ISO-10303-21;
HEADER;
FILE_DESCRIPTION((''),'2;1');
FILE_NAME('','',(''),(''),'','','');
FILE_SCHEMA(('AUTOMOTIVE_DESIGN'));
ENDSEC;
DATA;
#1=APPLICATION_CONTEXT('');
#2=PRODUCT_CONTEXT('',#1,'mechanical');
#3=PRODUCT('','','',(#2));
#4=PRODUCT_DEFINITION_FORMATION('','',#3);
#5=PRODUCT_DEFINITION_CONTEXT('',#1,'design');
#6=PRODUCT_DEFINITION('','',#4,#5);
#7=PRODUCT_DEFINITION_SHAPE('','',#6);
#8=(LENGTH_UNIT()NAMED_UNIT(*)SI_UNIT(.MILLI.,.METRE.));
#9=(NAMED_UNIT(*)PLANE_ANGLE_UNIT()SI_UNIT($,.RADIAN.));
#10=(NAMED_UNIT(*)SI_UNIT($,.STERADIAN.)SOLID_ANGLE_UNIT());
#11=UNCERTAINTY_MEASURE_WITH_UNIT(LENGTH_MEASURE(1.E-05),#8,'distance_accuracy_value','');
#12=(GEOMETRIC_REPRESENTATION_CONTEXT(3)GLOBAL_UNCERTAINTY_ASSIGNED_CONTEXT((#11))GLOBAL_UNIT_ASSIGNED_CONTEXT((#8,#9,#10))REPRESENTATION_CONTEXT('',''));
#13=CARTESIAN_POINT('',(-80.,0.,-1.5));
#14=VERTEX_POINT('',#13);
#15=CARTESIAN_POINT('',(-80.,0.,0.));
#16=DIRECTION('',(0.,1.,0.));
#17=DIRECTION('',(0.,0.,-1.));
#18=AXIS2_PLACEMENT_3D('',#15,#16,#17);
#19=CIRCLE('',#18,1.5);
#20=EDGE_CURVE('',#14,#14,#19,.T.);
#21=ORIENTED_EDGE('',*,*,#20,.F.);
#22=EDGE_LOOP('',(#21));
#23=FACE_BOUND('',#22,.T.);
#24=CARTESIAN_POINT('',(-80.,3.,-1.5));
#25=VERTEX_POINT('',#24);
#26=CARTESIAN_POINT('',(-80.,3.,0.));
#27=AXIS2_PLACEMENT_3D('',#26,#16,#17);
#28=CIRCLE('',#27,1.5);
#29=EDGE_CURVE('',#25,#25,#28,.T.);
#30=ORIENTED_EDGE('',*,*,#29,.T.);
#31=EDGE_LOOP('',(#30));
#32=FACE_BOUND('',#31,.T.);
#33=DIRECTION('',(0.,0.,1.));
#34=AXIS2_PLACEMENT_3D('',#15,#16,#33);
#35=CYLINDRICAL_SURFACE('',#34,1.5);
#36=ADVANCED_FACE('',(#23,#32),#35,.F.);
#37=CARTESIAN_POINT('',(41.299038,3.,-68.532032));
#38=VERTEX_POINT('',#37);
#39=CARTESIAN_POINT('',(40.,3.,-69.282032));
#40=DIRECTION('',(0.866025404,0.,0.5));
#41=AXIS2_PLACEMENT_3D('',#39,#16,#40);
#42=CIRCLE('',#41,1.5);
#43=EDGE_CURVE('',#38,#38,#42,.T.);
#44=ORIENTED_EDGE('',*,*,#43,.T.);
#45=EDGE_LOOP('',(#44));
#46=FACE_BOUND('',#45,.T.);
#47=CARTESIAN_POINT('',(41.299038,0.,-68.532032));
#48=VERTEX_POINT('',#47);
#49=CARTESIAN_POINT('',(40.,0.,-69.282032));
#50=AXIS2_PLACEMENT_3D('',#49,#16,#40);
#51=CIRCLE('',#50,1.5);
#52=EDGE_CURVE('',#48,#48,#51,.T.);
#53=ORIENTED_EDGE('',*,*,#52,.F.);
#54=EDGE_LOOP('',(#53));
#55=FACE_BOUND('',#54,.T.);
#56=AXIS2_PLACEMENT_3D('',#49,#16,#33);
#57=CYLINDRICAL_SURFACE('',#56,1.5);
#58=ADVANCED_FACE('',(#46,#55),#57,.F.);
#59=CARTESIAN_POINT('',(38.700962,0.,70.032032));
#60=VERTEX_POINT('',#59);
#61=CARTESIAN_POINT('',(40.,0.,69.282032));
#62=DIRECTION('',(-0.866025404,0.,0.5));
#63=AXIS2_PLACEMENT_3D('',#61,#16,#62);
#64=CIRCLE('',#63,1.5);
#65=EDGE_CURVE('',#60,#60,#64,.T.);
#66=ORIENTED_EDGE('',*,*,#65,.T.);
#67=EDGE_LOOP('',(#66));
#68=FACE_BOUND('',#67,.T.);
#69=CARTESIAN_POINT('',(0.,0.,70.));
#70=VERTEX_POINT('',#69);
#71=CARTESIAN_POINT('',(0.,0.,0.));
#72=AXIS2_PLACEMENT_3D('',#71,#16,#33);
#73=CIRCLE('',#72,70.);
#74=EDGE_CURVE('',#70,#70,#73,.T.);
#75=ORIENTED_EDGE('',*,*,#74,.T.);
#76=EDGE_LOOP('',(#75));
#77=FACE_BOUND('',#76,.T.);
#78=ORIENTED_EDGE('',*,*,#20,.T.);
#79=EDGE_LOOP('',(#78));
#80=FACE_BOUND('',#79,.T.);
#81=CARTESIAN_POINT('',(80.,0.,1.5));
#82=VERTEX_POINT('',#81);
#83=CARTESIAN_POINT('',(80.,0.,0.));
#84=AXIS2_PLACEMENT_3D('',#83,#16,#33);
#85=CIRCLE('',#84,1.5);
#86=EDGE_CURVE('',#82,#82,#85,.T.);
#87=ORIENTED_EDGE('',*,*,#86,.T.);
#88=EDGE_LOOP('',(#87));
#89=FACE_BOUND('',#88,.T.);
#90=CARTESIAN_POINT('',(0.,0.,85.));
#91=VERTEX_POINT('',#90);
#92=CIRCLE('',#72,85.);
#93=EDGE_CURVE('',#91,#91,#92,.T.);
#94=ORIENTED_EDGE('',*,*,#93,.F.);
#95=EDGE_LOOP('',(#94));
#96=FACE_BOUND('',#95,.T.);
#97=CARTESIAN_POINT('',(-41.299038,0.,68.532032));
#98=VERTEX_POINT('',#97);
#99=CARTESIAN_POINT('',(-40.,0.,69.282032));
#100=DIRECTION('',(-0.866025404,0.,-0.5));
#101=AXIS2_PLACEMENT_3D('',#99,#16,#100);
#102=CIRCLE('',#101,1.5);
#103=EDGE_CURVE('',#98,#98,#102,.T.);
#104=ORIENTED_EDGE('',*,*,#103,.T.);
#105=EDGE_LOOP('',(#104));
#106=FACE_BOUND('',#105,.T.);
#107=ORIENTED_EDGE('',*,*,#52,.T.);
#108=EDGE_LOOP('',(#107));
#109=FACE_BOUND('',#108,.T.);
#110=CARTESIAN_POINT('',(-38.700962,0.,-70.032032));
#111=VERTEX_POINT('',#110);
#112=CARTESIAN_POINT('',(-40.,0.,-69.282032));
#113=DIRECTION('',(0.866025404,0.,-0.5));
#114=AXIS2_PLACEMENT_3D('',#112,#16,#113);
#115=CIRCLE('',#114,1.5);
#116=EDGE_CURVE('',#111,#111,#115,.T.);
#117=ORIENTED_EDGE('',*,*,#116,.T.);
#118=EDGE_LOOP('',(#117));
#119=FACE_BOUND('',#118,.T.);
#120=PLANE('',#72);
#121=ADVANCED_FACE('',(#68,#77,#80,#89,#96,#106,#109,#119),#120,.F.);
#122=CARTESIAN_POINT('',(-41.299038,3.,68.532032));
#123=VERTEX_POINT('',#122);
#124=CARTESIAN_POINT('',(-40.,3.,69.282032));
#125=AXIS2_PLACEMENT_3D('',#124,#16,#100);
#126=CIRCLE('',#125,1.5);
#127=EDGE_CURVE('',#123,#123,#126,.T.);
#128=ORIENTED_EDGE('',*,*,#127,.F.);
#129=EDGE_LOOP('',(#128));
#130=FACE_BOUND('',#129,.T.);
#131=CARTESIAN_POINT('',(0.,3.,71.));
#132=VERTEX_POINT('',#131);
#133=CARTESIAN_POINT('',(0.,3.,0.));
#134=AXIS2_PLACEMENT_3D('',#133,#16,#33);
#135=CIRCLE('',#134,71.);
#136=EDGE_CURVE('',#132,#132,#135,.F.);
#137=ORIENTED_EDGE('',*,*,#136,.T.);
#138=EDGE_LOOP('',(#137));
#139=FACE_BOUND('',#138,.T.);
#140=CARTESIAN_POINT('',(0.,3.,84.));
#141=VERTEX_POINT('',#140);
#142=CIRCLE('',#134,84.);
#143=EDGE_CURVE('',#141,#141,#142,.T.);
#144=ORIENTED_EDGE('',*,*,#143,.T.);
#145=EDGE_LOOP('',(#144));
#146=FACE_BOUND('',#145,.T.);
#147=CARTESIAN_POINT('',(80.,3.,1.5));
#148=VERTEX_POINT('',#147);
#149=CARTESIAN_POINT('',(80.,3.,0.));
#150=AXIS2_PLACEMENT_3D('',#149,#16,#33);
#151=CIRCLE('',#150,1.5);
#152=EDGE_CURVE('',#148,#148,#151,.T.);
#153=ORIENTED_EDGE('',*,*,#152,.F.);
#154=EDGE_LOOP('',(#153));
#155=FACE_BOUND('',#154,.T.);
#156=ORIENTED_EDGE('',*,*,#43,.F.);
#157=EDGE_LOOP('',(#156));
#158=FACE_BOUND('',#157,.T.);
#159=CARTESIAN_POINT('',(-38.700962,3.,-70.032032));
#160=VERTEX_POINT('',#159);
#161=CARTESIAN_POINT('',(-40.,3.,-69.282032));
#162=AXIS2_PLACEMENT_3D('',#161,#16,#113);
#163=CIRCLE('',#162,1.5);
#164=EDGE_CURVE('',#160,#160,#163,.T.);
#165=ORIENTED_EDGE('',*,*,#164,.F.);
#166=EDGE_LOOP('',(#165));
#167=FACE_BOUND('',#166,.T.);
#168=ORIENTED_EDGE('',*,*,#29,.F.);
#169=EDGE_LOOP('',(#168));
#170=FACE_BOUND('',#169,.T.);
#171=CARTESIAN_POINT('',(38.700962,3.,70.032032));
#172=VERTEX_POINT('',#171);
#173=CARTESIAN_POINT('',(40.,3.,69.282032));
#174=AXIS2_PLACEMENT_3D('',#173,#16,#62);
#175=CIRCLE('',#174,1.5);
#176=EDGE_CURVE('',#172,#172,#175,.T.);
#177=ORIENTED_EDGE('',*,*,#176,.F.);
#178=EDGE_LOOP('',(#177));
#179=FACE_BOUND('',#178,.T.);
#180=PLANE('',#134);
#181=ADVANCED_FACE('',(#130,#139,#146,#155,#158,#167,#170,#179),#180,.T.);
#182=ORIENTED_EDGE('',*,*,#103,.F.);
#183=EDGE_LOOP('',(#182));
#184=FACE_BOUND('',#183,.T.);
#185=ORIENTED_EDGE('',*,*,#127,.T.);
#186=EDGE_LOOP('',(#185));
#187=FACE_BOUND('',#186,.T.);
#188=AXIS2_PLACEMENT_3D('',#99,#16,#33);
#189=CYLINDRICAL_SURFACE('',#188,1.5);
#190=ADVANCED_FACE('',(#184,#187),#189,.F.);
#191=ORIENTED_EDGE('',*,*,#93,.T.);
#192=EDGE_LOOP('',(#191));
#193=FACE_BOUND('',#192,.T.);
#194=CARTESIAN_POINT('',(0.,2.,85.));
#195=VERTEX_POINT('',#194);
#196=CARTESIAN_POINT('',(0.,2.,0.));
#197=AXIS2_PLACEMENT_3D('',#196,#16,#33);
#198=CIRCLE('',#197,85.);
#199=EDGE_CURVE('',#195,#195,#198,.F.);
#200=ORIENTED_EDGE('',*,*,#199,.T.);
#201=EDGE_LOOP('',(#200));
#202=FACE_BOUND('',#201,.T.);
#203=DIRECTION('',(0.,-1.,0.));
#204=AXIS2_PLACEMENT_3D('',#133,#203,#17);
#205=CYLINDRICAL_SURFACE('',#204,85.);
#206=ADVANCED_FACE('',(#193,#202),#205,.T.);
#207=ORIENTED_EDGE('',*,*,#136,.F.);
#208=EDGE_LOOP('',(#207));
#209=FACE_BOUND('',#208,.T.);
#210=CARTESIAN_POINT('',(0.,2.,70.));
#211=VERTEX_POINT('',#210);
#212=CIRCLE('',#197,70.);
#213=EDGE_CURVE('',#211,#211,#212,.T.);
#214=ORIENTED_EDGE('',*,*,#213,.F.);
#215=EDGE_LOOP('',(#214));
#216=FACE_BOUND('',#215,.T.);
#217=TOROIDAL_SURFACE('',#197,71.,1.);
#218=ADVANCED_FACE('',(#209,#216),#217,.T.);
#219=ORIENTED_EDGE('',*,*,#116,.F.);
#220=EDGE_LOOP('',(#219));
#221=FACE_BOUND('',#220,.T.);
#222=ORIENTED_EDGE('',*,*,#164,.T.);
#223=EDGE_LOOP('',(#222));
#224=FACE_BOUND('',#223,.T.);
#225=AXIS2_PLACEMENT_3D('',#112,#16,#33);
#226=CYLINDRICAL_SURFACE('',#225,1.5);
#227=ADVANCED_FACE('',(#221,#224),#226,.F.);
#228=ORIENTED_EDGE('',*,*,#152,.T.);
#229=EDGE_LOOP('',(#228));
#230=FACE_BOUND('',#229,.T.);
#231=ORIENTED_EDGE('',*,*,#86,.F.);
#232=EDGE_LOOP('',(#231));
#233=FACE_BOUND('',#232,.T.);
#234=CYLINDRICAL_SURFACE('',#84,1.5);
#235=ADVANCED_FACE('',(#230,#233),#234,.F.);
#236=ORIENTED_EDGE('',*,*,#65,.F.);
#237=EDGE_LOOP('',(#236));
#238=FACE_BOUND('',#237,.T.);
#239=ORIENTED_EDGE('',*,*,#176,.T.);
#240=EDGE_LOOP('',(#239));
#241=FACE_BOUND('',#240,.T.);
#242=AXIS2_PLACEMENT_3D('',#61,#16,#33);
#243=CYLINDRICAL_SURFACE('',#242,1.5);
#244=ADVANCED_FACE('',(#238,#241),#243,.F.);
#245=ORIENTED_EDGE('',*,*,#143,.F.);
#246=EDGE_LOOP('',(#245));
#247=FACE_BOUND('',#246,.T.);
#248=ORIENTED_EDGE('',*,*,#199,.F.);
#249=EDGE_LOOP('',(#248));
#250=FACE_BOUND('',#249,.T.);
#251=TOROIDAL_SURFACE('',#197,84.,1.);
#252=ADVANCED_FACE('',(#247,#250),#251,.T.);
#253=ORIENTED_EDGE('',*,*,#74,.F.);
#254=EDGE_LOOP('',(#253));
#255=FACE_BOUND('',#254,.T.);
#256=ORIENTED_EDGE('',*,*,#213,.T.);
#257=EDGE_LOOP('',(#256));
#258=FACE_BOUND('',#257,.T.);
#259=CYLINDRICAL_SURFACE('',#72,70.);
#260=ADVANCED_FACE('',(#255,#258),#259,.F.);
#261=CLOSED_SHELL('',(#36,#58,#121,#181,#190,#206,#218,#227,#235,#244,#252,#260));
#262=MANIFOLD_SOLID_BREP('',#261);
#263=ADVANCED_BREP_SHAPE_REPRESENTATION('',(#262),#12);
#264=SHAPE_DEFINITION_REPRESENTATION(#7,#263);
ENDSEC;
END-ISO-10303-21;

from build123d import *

# Parameters (mm, degrees)
ESQUISSE1_R                  = 85
BOSS_EXTRU_1_DEPTH           = 3
ESQUISSE2_R                  = 70
ENL_V_MAT_EXTRU_1_DEPTH      = 3
ESQUISSE3_R                  = 1.5
ENL_V_MAT_EXTRU_2_DEPTH      = 3
R_P_TITION_CIRCULAIRE1_COUNT = 6
CONG_1_R                     = 1


with BuildPart() as part:
    # Esquisse1 → Boss.-Extru.1 (new body)
    with BuildSketch(Plane(origin=(0, 0, 0), x_dir=(1, 0, 0), z_dir=(0, 1, 0))):
        with Locations(Location((0, 0, 0), (0, 0, 270))):
            Circle(ESQUISSE1_R)
    extrude(amount=BOSS_EXTRU_1_DEPTH)

    # Esquisse2 → Enlèv. mat.-Extru.1 (cut)
    with BuildSketch(Plane(origin=(0, 3, 0), x_dir=(1, 0, 0), z_dir=(0, 1, 0))):
        with Locations(Location((0, 0, 0), (0, 0, 270))):
            Circle(ESQUISSE2_R)
    extrude(amount=-ENL_V_MAT_EXTRU_1_DEPTH, mode=Mode.SUBTRACT)

    # Esquisse3 → Enlèv. mat.-Extru.2 (cut)
    with BuildSketch(Plane(origin=(0, 3, 0), x_dir=(1, 0, 0), z_dir=(0, 1, 0))):
        with Locations(Location((80, 0, 0), (0, 0, 270))):
            Circle(ESQUISSE3_R)
    enl_v_mat_extru_2 = extrude(amount=-ENL_V_MAT_EXTRU_2_DEPTH, mode=Mode.SUBTRACT)

    # Répétition circulaire1: Enlèv. mat.-Extru.2 ×6 about axis
    r_p_tition_circulaire1_axis = Axis((0, 0, 0), (0, 1, 0))
    for i in range(1, R_P_TITION_CIRCULAIRE1_COUNT):
        add(enl_v_mat_extru_2.rotate(r_p_tition_circulaire1_axis, i * 360 / R_P_TITION_CIRCULAIRE1_COUNT), mode=Mode.SUBTRACT)

    # Congé1
    cong_1_edges = [part.edges().sort_by_distance(p)[0] for p in [
        (0, 3, -85),
        (0, 3, -70),
    ]]
    fillet(cong_1_edges, radius=CONG_1_R)


solid = part.part
